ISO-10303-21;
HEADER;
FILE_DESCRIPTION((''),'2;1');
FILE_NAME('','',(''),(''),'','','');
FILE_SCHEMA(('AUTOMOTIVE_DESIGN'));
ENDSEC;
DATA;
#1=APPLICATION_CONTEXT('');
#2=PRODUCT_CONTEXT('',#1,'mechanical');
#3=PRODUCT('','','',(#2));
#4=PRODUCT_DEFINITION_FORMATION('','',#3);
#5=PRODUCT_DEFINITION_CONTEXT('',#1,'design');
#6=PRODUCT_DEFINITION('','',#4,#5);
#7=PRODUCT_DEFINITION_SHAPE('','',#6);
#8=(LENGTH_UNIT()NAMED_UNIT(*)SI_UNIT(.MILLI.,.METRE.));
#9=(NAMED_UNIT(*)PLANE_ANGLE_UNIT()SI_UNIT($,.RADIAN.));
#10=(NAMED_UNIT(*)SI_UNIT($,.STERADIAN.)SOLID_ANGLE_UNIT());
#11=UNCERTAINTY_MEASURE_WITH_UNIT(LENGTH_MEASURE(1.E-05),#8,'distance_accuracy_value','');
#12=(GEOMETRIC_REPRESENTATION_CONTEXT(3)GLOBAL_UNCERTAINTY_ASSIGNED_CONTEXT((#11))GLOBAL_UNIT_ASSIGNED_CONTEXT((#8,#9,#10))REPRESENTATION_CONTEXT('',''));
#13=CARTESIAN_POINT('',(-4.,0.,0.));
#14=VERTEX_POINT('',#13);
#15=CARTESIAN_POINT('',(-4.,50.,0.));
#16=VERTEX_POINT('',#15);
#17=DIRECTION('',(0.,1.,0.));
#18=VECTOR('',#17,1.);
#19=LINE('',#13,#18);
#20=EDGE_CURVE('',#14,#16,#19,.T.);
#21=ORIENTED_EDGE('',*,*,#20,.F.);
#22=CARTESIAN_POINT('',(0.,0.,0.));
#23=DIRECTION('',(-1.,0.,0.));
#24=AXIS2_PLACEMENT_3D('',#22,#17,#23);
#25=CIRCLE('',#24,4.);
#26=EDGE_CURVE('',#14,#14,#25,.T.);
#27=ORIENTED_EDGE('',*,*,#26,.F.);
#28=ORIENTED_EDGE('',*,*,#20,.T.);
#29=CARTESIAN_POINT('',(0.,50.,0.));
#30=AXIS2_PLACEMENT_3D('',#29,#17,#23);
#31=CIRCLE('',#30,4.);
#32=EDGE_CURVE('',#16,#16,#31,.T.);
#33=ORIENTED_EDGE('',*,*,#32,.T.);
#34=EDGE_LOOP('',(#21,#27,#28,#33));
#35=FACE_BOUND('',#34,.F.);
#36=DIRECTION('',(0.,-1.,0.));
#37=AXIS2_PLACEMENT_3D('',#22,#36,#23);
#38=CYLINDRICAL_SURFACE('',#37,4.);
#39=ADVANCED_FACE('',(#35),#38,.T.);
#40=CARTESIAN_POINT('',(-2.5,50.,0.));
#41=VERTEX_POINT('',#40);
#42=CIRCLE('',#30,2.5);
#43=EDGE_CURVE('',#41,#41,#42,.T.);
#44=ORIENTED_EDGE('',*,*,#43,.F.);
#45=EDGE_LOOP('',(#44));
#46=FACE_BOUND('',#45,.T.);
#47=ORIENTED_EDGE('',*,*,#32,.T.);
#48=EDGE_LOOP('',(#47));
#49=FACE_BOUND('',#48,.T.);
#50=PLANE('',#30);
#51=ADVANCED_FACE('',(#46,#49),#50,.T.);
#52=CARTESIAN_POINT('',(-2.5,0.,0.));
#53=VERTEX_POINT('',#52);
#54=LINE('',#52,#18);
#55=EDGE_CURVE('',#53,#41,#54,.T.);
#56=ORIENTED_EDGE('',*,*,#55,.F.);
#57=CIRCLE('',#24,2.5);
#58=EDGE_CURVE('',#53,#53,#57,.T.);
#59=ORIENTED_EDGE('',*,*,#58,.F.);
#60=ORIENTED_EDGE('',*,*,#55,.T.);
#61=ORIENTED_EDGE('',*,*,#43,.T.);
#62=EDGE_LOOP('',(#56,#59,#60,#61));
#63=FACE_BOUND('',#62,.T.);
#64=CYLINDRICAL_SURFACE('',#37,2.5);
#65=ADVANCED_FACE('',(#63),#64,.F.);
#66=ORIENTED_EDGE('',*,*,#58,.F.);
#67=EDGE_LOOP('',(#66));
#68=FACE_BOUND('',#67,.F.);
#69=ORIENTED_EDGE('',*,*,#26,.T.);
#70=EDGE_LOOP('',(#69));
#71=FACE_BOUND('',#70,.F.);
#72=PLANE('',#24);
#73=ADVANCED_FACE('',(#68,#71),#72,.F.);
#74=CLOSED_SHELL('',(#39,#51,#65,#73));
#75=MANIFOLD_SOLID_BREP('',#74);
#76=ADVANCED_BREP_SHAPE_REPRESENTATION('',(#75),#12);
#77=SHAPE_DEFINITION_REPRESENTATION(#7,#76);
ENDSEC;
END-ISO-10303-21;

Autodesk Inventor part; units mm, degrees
ref_plane "YZ Plane" through (0, 0, 0) normal (1, 0, 0) x (0, 1, 0)
ref_plane "XZ Plane" through (0, 0, 0) normal (0, 1, 0) x (-1, 0, 0)
ref_plane "XY Plane" through (0, 0, 0) normal (0, 0, 1) x (1, 0, 0)
sketch "Sketch1" plane through (0, 0, 0) normal (0, 1, 0) x (-1, 0, 0)
  circle A0 centre (0, 0) radius 2.5
  circle A1 centre (0, 0) radius 4
  dimension "d0" = 5
  dimension "d1" = 1.5
extrude "Extrusion1" add sketch "Sketch1" along normal blind 50
properties part number "pilar"
